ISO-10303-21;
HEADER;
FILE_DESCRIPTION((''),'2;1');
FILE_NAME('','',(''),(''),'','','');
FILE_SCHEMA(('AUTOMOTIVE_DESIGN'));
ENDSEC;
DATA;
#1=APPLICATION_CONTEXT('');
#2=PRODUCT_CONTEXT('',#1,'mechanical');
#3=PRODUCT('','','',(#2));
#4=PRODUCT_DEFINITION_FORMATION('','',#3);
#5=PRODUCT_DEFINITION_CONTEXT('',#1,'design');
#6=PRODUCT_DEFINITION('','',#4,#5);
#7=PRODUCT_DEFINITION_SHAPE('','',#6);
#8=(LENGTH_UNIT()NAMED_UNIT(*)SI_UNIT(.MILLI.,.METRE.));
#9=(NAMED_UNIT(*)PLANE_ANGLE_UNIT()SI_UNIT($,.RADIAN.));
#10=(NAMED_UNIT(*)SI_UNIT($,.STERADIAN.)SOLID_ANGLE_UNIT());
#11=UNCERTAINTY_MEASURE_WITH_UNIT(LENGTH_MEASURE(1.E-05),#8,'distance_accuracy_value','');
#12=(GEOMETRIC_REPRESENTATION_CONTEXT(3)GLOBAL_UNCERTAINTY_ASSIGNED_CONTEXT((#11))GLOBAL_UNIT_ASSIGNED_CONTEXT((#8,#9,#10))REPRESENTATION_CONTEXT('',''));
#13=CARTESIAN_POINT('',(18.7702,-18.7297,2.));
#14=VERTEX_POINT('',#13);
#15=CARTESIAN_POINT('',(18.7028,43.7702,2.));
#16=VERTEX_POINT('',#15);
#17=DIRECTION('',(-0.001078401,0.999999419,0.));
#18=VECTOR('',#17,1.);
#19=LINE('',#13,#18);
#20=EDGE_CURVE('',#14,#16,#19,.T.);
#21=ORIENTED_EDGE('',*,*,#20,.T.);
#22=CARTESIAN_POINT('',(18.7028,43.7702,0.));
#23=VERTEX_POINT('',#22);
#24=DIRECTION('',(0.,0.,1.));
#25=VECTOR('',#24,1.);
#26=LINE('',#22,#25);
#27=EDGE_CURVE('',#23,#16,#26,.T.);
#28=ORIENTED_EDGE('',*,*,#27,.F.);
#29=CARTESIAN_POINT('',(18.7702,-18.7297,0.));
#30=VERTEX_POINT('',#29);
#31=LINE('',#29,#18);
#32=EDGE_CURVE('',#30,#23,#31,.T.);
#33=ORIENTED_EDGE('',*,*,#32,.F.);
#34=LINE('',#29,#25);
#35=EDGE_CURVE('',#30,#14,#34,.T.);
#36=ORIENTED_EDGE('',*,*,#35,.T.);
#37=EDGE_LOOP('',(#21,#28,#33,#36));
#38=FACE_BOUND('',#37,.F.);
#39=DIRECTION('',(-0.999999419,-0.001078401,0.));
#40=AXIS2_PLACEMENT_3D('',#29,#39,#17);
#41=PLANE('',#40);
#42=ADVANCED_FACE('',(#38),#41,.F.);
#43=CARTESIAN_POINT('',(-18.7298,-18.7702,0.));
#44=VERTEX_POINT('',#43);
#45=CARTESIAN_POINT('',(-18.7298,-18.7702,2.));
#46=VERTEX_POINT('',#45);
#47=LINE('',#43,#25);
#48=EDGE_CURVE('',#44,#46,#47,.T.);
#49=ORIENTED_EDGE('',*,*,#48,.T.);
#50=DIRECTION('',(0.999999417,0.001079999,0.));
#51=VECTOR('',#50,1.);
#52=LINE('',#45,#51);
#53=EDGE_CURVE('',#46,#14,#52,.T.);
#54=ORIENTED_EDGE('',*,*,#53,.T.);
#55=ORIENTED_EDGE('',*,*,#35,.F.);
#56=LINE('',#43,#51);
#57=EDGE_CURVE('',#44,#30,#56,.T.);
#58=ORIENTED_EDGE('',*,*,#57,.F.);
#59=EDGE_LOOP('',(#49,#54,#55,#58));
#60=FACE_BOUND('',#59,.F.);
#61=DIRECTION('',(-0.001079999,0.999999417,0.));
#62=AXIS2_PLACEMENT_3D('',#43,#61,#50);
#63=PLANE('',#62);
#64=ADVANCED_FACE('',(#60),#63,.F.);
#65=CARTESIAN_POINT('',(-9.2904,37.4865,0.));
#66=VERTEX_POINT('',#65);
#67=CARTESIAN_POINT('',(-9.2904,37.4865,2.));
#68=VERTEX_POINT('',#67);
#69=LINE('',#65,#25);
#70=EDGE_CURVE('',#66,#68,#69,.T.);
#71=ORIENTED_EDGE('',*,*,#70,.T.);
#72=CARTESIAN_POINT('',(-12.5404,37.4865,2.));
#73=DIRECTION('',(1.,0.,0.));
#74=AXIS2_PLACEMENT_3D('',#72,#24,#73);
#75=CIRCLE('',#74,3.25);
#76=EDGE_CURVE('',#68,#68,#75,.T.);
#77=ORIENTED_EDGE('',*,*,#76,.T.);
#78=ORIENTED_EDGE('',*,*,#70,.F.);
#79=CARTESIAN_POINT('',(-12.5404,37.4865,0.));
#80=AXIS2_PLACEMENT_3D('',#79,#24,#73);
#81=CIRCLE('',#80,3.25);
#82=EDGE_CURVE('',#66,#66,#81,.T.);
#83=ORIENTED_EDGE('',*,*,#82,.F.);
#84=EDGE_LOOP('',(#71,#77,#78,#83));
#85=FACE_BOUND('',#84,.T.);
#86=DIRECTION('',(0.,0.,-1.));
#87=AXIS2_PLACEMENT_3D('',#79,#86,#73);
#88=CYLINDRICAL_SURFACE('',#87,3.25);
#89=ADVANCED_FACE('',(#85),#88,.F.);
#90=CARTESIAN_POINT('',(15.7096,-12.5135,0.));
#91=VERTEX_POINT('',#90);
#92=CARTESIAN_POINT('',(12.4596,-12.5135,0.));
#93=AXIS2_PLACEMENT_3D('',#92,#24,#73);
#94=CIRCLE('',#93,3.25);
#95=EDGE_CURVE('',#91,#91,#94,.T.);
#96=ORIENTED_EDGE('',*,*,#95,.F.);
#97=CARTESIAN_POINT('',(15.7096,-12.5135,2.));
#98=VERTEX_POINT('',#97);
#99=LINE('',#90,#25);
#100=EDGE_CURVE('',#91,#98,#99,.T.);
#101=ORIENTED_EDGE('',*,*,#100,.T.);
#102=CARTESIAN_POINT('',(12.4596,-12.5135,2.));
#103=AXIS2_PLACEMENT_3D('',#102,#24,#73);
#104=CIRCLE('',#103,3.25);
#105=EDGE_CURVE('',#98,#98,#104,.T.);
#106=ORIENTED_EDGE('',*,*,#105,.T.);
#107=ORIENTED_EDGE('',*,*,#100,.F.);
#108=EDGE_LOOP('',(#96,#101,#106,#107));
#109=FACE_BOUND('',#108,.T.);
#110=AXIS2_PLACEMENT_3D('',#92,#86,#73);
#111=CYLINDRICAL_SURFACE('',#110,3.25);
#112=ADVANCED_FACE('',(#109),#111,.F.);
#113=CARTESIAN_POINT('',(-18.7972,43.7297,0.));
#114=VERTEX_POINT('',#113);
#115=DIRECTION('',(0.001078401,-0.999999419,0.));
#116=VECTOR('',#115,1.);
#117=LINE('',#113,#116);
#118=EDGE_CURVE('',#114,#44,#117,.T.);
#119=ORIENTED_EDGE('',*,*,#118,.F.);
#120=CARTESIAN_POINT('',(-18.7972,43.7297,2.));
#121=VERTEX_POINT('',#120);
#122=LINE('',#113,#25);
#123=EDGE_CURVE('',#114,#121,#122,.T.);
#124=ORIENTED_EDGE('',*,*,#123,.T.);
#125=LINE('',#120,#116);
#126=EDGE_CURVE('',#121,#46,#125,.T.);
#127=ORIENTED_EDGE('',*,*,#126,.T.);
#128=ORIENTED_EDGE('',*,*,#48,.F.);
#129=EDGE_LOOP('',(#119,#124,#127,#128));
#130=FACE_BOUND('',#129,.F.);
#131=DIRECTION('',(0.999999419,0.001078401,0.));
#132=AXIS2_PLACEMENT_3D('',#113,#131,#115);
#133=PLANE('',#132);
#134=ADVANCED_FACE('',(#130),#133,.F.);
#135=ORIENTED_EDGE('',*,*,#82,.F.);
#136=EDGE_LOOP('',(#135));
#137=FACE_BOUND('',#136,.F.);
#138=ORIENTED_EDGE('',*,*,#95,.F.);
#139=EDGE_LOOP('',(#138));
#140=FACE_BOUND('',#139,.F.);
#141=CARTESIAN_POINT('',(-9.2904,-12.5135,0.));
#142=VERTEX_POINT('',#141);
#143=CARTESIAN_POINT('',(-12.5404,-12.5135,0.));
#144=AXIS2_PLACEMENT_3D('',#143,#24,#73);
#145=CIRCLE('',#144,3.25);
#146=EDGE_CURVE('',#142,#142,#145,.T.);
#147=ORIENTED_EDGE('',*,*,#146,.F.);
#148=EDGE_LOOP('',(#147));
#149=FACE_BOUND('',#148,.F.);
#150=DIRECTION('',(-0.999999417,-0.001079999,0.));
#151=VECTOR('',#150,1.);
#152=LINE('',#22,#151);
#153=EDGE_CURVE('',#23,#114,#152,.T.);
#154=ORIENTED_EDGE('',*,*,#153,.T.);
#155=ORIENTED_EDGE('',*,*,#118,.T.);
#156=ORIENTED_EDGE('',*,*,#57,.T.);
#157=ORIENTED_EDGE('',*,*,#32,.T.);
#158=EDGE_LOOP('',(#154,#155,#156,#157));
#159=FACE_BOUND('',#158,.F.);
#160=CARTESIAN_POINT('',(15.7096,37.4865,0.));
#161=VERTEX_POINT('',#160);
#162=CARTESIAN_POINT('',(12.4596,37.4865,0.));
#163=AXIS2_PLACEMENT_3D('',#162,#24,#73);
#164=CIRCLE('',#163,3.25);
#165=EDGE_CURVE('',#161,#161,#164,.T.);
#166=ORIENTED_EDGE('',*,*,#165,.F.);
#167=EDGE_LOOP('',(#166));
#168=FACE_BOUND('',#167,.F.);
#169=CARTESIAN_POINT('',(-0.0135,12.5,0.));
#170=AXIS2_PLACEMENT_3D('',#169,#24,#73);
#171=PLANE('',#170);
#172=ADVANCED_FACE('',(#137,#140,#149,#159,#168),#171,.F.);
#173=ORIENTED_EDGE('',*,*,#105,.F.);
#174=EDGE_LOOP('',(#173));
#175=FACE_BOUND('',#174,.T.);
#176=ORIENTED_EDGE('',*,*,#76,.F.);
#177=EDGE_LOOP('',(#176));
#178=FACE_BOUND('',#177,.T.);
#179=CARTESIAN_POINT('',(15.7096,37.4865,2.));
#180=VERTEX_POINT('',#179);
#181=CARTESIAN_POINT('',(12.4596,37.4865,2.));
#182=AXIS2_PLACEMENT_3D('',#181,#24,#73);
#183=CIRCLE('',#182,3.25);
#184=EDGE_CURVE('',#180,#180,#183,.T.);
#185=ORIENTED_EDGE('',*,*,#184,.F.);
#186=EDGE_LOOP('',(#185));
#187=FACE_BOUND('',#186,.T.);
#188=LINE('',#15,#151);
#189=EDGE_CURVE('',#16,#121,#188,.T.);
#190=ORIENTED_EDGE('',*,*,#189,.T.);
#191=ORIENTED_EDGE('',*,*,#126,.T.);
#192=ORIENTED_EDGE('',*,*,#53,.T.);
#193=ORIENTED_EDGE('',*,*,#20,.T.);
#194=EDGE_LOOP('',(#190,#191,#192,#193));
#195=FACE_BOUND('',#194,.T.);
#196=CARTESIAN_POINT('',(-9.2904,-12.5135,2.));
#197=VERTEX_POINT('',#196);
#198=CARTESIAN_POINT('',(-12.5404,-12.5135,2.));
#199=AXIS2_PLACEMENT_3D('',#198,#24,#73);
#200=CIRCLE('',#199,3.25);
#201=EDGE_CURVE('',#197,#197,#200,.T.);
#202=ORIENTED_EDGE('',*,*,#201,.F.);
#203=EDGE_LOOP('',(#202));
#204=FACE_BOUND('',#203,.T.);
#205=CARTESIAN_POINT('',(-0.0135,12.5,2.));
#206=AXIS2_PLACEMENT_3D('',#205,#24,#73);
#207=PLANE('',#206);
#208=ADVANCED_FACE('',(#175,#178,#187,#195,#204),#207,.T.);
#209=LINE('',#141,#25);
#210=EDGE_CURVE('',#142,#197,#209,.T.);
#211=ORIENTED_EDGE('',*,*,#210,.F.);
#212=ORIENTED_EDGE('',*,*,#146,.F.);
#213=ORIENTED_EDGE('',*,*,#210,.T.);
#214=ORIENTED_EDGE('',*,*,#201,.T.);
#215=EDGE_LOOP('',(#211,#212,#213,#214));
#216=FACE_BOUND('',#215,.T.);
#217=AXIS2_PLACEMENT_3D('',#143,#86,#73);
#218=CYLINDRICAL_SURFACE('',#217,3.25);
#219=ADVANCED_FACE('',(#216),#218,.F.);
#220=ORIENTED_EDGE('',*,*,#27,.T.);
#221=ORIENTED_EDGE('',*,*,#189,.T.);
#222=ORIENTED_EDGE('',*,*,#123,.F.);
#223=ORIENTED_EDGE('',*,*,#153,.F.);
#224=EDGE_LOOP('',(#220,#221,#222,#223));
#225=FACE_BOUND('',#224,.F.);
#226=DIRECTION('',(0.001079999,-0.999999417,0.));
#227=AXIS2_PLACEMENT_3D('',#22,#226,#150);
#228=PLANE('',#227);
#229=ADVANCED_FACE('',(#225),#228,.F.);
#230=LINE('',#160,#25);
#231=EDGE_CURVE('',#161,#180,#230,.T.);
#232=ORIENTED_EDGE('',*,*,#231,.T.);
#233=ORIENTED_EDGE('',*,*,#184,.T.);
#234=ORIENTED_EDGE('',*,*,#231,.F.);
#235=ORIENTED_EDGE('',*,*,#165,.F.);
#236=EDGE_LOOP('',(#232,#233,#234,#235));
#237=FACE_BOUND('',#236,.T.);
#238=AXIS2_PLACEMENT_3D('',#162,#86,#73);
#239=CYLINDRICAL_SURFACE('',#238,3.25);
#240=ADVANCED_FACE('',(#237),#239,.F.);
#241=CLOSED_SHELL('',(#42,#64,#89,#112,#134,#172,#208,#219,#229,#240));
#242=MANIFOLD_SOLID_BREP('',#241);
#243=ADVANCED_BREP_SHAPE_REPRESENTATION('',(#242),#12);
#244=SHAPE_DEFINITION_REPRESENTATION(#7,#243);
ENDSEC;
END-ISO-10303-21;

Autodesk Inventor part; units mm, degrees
ref_plane "YZ Plane" through (0, 0, 0) normal (1, 0, 0) x (0, 1, 0)
ref_plane "XZ Plane" through (0, 0, 0) normal (0, 1, 0) x (-1, 0, 0)
ref_plane "XY Plane" through (0, 0, 0) normal (0, 0, 1) x (1, 0, 0)
ref_plane "Work Plane2" through (-0.0135, 12.5, 0) normal (0, 0, 1) x (1, 0, 0)
sketch "Sketch7" plane through (-0.0135, 12.5, 0) normal (0, 0, 1) x (1, 0, 0)
  circle A0 centre (12.4731, -25.0135) radius 3.25 projected
  circle A1 centre (-12.5269, -25.0135) radius 3.25 projected
  circle A2 centre (12.4731, 24.9865) radius 3.25 projected
  circle A3 centre (-12.5269, 24.9865) radius 3.25 projected
  line L0 (18.7837, -31.2297) -> (18.7163, 31.2702) projected
  line L1 (18.7163, 31.2702) -> (-18.7837, 31.2297) projected
  line L2 (-18.7837, 31.2297) -> (-18.7163, -31.2702) projected
  line L3 (-18.7163, -31.2702) -> (18.7837, -31.2297) projected
  point P0 (0.0135, -12.5)
extrude "Extrusion3" add sketch "Sketch7" along normal blind 2
properties part number "top"
